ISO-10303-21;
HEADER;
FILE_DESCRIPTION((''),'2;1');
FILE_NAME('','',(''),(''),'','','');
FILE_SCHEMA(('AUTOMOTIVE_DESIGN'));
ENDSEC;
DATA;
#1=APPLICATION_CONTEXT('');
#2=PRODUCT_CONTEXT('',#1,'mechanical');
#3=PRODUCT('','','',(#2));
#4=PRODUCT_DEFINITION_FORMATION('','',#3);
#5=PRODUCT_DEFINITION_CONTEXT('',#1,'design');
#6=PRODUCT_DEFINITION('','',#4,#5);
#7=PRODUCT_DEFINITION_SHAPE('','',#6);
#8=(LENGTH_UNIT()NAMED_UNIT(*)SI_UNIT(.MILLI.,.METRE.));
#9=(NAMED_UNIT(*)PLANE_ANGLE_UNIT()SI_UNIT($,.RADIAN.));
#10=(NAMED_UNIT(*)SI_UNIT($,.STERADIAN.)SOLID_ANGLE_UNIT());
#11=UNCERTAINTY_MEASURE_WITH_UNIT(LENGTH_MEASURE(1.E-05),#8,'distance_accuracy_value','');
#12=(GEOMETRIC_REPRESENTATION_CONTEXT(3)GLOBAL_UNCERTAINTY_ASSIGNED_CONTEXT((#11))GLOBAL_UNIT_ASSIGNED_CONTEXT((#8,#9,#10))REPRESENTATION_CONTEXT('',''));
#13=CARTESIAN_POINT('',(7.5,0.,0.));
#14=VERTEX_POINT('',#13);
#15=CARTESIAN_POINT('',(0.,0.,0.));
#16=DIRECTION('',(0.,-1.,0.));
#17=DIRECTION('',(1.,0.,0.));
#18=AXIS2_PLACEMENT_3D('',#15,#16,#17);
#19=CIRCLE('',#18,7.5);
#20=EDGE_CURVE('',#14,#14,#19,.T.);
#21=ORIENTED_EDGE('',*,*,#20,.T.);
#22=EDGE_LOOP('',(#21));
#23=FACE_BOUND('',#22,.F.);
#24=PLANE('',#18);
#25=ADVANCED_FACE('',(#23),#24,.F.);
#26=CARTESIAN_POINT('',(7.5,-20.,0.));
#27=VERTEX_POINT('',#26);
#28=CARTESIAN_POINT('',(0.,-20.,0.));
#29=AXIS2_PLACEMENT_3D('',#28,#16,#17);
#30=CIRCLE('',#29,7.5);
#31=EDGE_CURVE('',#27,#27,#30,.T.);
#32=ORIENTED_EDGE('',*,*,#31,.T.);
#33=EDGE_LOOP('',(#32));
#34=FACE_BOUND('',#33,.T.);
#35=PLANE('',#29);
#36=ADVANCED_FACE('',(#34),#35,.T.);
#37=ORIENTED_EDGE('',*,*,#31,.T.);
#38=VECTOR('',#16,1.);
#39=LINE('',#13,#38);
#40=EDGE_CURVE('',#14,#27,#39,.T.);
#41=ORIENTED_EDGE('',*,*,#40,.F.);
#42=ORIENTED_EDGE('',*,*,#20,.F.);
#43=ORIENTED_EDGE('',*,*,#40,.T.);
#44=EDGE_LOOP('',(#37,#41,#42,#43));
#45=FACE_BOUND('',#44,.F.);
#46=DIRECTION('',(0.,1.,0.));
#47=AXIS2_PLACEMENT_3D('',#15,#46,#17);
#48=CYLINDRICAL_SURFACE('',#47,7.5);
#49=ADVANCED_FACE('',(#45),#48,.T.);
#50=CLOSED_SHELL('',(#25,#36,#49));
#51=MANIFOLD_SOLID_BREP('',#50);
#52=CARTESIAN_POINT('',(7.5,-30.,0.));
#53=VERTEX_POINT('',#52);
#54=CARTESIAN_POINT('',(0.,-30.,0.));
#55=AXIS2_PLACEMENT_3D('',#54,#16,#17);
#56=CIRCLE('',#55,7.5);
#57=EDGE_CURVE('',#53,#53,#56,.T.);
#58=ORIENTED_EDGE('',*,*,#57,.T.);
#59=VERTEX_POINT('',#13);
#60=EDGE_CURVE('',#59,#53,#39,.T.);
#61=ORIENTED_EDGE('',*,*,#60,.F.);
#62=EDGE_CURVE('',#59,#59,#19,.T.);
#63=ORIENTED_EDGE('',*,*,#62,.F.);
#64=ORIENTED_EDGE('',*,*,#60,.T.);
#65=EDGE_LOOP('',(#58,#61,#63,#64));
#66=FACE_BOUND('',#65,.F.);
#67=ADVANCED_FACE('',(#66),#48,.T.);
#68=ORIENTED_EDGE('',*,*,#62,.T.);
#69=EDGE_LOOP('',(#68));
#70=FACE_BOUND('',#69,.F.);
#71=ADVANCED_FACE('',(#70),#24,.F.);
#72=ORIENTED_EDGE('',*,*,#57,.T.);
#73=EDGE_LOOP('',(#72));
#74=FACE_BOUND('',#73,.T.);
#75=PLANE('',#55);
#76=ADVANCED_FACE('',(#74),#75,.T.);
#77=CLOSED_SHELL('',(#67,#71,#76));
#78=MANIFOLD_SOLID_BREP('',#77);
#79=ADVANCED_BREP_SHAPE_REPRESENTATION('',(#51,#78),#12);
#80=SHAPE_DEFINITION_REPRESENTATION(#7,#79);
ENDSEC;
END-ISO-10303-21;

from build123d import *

# Parameters (mm, degrees)
F0_R     = 7.5
F1_DEPTH = 20
F2_DEPTH = 30


with BuildPart() as f1:
    # F0 (on Front) → F1 (new body)
    with BuildSketch(Plane.XZ):
        Circle(F0_R)
    extrude(amount=F1_DEPTH)


with BuildPart() as f2:
    # F0 (on Front) → F2 (new body)
    with BuildSketch(Plane.XZ):
        Circle(F0_R)
    extrude(amount=F2_DEPTH)


solid = Compound([f1.part, f2.part])
